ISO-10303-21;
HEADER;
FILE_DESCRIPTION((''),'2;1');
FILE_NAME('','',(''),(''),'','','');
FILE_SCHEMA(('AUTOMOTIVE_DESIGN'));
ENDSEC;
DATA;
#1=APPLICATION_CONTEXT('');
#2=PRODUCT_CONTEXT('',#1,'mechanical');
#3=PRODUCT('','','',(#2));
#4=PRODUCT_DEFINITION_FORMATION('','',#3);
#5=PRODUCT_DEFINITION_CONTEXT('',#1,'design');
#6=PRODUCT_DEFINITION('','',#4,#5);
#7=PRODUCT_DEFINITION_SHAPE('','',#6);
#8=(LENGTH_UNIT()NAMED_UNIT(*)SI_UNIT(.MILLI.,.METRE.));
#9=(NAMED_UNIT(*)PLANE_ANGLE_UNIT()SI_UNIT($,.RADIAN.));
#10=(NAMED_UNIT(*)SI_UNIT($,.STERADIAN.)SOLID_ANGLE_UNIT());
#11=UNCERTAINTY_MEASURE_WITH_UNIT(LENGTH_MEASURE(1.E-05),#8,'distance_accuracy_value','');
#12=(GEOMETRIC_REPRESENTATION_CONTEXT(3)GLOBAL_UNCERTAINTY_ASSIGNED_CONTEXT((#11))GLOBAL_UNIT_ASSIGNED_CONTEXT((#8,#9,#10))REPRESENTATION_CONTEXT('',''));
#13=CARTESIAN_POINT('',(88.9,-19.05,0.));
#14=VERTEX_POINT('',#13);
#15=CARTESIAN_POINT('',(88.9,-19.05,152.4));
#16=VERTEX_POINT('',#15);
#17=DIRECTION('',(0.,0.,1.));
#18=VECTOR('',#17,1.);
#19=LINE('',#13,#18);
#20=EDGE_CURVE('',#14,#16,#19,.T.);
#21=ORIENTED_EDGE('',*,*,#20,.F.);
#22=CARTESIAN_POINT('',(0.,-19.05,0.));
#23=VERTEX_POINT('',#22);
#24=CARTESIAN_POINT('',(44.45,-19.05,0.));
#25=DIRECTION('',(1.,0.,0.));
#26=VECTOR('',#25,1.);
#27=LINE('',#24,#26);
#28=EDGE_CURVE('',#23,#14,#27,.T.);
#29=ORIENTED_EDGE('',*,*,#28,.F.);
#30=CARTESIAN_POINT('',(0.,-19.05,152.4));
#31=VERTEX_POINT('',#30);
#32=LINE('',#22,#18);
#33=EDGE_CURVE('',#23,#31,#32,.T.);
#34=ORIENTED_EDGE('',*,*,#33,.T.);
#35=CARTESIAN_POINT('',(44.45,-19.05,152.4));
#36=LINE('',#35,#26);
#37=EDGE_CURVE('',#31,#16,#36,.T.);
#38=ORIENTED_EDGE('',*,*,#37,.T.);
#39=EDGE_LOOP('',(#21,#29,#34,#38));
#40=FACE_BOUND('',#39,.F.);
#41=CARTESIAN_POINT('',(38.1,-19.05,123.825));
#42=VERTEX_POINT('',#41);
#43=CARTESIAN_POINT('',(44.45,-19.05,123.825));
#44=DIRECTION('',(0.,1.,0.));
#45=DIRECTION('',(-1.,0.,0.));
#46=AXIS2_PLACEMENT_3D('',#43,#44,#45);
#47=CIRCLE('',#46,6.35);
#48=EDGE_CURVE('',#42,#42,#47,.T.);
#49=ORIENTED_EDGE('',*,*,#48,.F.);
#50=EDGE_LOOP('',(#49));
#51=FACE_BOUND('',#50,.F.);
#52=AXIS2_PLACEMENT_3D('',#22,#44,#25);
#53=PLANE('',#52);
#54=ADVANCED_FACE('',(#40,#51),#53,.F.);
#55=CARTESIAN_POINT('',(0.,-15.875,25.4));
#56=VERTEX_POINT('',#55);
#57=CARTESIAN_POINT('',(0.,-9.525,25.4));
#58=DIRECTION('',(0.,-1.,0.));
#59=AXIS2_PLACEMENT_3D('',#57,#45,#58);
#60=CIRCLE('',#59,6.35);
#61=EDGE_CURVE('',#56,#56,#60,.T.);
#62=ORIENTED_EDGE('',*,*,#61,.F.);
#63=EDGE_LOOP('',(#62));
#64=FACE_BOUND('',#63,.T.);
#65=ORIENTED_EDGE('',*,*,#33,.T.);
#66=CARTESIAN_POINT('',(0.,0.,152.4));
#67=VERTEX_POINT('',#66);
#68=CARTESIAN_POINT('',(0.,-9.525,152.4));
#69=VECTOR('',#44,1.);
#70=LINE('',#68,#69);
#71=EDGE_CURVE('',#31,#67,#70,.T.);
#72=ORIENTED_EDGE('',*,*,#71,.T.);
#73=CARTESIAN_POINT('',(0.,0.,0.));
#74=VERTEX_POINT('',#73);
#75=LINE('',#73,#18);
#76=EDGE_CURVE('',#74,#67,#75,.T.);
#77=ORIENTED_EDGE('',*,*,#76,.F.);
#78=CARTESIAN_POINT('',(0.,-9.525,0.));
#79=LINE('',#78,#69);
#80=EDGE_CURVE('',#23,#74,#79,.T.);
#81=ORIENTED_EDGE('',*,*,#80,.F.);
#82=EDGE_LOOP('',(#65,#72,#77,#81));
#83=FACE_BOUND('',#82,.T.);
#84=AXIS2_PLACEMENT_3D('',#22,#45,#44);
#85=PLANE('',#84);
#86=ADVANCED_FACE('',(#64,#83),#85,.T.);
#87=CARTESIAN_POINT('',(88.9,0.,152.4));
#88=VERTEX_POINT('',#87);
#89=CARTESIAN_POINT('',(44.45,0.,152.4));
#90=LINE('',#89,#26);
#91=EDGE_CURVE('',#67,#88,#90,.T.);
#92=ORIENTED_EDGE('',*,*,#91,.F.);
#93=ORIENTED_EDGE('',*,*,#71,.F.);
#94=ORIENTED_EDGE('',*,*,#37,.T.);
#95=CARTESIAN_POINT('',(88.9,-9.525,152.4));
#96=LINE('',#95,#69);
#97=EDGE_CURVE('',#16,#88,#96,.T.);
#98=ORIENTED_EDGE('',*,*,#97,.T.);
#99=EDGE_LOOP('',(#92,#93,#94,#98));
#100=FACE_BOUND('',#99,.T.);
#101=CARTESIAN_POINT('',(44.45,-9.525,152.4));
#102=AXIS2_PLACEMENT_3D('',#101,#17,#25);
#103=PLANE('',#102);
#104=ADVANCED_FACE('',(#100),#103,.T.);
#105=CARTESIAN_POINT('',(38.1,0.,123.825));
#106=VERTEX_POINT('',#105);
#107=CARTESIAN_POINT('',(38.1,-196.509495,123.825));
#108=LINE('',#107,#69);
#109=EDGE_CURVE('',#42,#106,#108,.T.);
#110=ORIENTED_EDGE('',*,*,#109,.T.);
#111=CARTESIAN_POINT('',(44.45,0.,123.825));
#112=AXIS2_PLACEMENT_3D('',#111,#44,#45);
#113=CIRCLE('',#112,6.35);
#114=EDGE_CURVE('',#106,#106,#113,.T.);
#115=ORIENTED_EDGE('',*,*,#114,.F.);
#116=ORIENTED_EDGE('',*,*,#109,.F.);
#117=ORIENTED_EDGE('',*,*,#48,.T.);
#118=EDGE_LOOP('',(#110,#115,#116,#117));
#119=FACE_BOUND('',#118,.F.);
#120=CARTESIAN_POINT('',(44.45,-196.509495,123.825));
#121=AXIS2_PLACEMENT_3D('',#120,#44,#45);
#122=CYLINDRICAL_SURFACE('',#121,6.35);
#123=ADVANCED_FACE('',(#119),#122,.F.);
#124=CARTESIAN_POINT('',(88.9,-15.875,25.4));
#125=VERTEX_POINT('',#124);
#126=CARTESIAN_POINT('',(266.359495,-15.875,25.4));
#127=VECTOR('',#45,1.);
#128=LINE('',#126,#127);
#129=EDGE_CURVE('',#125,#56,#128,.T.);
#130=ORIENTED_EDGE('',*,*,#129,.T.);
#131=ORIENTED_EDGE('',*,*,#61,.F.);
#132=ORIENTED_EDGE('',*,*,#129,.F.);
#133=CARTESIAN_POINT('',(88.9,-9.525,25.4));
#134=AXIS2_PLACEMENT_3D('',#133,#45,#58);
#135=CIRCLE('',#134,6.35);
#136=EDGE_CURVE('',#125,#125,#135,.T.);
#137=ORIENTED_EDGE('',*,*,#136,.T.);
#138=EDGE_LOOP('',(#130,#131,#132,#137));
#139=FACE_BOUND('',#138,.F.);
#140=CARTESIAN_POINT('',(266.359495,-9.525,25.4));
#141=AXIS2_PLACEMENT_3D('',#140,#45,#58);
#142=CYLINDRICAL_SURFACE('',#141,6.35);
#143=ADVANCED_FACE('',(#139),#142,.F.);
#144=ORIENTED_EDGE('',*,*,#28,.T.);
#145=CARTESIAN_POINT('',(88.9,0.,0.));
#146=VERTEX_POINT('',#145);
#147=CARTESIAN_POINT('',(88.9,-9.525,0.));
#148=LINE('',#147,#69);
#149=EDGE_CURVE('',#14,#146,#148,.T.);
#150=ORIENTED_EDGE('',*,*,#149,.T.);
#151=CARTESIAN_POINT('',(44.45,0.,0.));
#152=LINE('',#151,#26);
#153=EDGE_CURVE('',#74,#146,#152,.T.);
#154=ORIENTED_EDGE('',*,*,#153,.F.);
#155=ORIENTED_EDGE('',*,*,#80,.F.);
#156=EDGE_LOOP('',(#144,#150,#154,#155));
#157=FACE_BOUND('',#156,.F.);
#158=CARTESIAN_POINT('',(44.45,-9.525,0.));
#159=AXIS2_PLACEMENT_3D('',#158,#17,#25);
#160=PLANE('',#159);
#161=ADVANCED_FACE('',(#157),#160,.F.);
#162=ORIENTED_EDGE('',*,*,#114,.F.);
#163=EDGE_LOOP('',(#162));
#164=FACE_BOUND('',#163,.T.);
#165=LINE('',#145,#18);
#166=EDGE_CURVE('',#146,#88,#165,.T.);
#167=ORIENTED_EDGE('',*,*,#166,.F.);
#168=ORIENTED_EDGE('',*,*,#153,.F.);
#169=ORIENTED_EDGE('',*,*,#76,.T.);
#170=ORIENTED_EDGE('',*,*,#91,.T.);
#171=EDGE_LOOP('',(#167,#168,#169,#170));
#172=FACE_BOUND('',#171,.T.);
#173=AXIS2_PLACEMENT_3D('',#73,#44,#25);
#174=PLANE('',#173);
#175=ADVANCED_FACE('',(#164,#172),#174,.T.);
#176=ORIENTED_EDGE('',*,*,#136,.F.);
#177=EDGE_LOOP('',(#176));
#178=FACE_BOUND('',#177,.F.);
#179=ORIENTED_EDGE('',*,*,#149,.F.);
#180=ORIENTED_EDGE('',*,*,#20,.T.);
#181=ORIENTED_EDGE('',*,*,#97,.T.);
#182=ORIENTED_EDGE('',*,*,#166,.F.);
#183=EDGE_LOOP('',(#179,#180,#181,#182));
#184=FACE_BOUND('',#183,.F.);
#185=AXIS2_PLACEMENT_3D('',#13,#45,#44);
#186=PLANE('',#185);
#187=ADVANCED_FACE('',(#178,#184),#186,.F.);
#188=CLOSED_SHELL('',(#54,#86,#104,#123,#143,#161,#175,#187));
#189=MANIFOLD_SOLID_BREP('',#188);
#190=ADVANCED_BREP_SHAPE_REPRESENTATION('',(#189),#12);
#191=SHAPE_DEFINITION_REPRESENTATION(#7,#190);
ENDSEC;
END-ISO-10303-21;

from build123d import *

# Parameters (mm, degrees)
F0_W     = 88.9
F0_H     = 19.05
F1_DEPTH = 152.4
F3_D     = 12.7
F5_D     = 12.7


with BuildPart() as f1:
    # F0 (on Top) → F1 (new body)
    with BuildSketch(Plane.XY):
        with Locations((44.45, -9.525)):
            Rectangle(F0_W, F0_H)
    extrude(amount=F1_DEPTH)

    # F3 (through all)
    with Locations(Plane.XZ.offset(19.05)):
        with Locations((44.45, 123.825)):
            Hole(F3_D / 2)

    # F5 (through all)
    with Locations(Plane.YZ.offset(88.9)):
        with Locations((-9.525, 25.4)):
            Hole(F5_D / 2)


solid = f1.part
